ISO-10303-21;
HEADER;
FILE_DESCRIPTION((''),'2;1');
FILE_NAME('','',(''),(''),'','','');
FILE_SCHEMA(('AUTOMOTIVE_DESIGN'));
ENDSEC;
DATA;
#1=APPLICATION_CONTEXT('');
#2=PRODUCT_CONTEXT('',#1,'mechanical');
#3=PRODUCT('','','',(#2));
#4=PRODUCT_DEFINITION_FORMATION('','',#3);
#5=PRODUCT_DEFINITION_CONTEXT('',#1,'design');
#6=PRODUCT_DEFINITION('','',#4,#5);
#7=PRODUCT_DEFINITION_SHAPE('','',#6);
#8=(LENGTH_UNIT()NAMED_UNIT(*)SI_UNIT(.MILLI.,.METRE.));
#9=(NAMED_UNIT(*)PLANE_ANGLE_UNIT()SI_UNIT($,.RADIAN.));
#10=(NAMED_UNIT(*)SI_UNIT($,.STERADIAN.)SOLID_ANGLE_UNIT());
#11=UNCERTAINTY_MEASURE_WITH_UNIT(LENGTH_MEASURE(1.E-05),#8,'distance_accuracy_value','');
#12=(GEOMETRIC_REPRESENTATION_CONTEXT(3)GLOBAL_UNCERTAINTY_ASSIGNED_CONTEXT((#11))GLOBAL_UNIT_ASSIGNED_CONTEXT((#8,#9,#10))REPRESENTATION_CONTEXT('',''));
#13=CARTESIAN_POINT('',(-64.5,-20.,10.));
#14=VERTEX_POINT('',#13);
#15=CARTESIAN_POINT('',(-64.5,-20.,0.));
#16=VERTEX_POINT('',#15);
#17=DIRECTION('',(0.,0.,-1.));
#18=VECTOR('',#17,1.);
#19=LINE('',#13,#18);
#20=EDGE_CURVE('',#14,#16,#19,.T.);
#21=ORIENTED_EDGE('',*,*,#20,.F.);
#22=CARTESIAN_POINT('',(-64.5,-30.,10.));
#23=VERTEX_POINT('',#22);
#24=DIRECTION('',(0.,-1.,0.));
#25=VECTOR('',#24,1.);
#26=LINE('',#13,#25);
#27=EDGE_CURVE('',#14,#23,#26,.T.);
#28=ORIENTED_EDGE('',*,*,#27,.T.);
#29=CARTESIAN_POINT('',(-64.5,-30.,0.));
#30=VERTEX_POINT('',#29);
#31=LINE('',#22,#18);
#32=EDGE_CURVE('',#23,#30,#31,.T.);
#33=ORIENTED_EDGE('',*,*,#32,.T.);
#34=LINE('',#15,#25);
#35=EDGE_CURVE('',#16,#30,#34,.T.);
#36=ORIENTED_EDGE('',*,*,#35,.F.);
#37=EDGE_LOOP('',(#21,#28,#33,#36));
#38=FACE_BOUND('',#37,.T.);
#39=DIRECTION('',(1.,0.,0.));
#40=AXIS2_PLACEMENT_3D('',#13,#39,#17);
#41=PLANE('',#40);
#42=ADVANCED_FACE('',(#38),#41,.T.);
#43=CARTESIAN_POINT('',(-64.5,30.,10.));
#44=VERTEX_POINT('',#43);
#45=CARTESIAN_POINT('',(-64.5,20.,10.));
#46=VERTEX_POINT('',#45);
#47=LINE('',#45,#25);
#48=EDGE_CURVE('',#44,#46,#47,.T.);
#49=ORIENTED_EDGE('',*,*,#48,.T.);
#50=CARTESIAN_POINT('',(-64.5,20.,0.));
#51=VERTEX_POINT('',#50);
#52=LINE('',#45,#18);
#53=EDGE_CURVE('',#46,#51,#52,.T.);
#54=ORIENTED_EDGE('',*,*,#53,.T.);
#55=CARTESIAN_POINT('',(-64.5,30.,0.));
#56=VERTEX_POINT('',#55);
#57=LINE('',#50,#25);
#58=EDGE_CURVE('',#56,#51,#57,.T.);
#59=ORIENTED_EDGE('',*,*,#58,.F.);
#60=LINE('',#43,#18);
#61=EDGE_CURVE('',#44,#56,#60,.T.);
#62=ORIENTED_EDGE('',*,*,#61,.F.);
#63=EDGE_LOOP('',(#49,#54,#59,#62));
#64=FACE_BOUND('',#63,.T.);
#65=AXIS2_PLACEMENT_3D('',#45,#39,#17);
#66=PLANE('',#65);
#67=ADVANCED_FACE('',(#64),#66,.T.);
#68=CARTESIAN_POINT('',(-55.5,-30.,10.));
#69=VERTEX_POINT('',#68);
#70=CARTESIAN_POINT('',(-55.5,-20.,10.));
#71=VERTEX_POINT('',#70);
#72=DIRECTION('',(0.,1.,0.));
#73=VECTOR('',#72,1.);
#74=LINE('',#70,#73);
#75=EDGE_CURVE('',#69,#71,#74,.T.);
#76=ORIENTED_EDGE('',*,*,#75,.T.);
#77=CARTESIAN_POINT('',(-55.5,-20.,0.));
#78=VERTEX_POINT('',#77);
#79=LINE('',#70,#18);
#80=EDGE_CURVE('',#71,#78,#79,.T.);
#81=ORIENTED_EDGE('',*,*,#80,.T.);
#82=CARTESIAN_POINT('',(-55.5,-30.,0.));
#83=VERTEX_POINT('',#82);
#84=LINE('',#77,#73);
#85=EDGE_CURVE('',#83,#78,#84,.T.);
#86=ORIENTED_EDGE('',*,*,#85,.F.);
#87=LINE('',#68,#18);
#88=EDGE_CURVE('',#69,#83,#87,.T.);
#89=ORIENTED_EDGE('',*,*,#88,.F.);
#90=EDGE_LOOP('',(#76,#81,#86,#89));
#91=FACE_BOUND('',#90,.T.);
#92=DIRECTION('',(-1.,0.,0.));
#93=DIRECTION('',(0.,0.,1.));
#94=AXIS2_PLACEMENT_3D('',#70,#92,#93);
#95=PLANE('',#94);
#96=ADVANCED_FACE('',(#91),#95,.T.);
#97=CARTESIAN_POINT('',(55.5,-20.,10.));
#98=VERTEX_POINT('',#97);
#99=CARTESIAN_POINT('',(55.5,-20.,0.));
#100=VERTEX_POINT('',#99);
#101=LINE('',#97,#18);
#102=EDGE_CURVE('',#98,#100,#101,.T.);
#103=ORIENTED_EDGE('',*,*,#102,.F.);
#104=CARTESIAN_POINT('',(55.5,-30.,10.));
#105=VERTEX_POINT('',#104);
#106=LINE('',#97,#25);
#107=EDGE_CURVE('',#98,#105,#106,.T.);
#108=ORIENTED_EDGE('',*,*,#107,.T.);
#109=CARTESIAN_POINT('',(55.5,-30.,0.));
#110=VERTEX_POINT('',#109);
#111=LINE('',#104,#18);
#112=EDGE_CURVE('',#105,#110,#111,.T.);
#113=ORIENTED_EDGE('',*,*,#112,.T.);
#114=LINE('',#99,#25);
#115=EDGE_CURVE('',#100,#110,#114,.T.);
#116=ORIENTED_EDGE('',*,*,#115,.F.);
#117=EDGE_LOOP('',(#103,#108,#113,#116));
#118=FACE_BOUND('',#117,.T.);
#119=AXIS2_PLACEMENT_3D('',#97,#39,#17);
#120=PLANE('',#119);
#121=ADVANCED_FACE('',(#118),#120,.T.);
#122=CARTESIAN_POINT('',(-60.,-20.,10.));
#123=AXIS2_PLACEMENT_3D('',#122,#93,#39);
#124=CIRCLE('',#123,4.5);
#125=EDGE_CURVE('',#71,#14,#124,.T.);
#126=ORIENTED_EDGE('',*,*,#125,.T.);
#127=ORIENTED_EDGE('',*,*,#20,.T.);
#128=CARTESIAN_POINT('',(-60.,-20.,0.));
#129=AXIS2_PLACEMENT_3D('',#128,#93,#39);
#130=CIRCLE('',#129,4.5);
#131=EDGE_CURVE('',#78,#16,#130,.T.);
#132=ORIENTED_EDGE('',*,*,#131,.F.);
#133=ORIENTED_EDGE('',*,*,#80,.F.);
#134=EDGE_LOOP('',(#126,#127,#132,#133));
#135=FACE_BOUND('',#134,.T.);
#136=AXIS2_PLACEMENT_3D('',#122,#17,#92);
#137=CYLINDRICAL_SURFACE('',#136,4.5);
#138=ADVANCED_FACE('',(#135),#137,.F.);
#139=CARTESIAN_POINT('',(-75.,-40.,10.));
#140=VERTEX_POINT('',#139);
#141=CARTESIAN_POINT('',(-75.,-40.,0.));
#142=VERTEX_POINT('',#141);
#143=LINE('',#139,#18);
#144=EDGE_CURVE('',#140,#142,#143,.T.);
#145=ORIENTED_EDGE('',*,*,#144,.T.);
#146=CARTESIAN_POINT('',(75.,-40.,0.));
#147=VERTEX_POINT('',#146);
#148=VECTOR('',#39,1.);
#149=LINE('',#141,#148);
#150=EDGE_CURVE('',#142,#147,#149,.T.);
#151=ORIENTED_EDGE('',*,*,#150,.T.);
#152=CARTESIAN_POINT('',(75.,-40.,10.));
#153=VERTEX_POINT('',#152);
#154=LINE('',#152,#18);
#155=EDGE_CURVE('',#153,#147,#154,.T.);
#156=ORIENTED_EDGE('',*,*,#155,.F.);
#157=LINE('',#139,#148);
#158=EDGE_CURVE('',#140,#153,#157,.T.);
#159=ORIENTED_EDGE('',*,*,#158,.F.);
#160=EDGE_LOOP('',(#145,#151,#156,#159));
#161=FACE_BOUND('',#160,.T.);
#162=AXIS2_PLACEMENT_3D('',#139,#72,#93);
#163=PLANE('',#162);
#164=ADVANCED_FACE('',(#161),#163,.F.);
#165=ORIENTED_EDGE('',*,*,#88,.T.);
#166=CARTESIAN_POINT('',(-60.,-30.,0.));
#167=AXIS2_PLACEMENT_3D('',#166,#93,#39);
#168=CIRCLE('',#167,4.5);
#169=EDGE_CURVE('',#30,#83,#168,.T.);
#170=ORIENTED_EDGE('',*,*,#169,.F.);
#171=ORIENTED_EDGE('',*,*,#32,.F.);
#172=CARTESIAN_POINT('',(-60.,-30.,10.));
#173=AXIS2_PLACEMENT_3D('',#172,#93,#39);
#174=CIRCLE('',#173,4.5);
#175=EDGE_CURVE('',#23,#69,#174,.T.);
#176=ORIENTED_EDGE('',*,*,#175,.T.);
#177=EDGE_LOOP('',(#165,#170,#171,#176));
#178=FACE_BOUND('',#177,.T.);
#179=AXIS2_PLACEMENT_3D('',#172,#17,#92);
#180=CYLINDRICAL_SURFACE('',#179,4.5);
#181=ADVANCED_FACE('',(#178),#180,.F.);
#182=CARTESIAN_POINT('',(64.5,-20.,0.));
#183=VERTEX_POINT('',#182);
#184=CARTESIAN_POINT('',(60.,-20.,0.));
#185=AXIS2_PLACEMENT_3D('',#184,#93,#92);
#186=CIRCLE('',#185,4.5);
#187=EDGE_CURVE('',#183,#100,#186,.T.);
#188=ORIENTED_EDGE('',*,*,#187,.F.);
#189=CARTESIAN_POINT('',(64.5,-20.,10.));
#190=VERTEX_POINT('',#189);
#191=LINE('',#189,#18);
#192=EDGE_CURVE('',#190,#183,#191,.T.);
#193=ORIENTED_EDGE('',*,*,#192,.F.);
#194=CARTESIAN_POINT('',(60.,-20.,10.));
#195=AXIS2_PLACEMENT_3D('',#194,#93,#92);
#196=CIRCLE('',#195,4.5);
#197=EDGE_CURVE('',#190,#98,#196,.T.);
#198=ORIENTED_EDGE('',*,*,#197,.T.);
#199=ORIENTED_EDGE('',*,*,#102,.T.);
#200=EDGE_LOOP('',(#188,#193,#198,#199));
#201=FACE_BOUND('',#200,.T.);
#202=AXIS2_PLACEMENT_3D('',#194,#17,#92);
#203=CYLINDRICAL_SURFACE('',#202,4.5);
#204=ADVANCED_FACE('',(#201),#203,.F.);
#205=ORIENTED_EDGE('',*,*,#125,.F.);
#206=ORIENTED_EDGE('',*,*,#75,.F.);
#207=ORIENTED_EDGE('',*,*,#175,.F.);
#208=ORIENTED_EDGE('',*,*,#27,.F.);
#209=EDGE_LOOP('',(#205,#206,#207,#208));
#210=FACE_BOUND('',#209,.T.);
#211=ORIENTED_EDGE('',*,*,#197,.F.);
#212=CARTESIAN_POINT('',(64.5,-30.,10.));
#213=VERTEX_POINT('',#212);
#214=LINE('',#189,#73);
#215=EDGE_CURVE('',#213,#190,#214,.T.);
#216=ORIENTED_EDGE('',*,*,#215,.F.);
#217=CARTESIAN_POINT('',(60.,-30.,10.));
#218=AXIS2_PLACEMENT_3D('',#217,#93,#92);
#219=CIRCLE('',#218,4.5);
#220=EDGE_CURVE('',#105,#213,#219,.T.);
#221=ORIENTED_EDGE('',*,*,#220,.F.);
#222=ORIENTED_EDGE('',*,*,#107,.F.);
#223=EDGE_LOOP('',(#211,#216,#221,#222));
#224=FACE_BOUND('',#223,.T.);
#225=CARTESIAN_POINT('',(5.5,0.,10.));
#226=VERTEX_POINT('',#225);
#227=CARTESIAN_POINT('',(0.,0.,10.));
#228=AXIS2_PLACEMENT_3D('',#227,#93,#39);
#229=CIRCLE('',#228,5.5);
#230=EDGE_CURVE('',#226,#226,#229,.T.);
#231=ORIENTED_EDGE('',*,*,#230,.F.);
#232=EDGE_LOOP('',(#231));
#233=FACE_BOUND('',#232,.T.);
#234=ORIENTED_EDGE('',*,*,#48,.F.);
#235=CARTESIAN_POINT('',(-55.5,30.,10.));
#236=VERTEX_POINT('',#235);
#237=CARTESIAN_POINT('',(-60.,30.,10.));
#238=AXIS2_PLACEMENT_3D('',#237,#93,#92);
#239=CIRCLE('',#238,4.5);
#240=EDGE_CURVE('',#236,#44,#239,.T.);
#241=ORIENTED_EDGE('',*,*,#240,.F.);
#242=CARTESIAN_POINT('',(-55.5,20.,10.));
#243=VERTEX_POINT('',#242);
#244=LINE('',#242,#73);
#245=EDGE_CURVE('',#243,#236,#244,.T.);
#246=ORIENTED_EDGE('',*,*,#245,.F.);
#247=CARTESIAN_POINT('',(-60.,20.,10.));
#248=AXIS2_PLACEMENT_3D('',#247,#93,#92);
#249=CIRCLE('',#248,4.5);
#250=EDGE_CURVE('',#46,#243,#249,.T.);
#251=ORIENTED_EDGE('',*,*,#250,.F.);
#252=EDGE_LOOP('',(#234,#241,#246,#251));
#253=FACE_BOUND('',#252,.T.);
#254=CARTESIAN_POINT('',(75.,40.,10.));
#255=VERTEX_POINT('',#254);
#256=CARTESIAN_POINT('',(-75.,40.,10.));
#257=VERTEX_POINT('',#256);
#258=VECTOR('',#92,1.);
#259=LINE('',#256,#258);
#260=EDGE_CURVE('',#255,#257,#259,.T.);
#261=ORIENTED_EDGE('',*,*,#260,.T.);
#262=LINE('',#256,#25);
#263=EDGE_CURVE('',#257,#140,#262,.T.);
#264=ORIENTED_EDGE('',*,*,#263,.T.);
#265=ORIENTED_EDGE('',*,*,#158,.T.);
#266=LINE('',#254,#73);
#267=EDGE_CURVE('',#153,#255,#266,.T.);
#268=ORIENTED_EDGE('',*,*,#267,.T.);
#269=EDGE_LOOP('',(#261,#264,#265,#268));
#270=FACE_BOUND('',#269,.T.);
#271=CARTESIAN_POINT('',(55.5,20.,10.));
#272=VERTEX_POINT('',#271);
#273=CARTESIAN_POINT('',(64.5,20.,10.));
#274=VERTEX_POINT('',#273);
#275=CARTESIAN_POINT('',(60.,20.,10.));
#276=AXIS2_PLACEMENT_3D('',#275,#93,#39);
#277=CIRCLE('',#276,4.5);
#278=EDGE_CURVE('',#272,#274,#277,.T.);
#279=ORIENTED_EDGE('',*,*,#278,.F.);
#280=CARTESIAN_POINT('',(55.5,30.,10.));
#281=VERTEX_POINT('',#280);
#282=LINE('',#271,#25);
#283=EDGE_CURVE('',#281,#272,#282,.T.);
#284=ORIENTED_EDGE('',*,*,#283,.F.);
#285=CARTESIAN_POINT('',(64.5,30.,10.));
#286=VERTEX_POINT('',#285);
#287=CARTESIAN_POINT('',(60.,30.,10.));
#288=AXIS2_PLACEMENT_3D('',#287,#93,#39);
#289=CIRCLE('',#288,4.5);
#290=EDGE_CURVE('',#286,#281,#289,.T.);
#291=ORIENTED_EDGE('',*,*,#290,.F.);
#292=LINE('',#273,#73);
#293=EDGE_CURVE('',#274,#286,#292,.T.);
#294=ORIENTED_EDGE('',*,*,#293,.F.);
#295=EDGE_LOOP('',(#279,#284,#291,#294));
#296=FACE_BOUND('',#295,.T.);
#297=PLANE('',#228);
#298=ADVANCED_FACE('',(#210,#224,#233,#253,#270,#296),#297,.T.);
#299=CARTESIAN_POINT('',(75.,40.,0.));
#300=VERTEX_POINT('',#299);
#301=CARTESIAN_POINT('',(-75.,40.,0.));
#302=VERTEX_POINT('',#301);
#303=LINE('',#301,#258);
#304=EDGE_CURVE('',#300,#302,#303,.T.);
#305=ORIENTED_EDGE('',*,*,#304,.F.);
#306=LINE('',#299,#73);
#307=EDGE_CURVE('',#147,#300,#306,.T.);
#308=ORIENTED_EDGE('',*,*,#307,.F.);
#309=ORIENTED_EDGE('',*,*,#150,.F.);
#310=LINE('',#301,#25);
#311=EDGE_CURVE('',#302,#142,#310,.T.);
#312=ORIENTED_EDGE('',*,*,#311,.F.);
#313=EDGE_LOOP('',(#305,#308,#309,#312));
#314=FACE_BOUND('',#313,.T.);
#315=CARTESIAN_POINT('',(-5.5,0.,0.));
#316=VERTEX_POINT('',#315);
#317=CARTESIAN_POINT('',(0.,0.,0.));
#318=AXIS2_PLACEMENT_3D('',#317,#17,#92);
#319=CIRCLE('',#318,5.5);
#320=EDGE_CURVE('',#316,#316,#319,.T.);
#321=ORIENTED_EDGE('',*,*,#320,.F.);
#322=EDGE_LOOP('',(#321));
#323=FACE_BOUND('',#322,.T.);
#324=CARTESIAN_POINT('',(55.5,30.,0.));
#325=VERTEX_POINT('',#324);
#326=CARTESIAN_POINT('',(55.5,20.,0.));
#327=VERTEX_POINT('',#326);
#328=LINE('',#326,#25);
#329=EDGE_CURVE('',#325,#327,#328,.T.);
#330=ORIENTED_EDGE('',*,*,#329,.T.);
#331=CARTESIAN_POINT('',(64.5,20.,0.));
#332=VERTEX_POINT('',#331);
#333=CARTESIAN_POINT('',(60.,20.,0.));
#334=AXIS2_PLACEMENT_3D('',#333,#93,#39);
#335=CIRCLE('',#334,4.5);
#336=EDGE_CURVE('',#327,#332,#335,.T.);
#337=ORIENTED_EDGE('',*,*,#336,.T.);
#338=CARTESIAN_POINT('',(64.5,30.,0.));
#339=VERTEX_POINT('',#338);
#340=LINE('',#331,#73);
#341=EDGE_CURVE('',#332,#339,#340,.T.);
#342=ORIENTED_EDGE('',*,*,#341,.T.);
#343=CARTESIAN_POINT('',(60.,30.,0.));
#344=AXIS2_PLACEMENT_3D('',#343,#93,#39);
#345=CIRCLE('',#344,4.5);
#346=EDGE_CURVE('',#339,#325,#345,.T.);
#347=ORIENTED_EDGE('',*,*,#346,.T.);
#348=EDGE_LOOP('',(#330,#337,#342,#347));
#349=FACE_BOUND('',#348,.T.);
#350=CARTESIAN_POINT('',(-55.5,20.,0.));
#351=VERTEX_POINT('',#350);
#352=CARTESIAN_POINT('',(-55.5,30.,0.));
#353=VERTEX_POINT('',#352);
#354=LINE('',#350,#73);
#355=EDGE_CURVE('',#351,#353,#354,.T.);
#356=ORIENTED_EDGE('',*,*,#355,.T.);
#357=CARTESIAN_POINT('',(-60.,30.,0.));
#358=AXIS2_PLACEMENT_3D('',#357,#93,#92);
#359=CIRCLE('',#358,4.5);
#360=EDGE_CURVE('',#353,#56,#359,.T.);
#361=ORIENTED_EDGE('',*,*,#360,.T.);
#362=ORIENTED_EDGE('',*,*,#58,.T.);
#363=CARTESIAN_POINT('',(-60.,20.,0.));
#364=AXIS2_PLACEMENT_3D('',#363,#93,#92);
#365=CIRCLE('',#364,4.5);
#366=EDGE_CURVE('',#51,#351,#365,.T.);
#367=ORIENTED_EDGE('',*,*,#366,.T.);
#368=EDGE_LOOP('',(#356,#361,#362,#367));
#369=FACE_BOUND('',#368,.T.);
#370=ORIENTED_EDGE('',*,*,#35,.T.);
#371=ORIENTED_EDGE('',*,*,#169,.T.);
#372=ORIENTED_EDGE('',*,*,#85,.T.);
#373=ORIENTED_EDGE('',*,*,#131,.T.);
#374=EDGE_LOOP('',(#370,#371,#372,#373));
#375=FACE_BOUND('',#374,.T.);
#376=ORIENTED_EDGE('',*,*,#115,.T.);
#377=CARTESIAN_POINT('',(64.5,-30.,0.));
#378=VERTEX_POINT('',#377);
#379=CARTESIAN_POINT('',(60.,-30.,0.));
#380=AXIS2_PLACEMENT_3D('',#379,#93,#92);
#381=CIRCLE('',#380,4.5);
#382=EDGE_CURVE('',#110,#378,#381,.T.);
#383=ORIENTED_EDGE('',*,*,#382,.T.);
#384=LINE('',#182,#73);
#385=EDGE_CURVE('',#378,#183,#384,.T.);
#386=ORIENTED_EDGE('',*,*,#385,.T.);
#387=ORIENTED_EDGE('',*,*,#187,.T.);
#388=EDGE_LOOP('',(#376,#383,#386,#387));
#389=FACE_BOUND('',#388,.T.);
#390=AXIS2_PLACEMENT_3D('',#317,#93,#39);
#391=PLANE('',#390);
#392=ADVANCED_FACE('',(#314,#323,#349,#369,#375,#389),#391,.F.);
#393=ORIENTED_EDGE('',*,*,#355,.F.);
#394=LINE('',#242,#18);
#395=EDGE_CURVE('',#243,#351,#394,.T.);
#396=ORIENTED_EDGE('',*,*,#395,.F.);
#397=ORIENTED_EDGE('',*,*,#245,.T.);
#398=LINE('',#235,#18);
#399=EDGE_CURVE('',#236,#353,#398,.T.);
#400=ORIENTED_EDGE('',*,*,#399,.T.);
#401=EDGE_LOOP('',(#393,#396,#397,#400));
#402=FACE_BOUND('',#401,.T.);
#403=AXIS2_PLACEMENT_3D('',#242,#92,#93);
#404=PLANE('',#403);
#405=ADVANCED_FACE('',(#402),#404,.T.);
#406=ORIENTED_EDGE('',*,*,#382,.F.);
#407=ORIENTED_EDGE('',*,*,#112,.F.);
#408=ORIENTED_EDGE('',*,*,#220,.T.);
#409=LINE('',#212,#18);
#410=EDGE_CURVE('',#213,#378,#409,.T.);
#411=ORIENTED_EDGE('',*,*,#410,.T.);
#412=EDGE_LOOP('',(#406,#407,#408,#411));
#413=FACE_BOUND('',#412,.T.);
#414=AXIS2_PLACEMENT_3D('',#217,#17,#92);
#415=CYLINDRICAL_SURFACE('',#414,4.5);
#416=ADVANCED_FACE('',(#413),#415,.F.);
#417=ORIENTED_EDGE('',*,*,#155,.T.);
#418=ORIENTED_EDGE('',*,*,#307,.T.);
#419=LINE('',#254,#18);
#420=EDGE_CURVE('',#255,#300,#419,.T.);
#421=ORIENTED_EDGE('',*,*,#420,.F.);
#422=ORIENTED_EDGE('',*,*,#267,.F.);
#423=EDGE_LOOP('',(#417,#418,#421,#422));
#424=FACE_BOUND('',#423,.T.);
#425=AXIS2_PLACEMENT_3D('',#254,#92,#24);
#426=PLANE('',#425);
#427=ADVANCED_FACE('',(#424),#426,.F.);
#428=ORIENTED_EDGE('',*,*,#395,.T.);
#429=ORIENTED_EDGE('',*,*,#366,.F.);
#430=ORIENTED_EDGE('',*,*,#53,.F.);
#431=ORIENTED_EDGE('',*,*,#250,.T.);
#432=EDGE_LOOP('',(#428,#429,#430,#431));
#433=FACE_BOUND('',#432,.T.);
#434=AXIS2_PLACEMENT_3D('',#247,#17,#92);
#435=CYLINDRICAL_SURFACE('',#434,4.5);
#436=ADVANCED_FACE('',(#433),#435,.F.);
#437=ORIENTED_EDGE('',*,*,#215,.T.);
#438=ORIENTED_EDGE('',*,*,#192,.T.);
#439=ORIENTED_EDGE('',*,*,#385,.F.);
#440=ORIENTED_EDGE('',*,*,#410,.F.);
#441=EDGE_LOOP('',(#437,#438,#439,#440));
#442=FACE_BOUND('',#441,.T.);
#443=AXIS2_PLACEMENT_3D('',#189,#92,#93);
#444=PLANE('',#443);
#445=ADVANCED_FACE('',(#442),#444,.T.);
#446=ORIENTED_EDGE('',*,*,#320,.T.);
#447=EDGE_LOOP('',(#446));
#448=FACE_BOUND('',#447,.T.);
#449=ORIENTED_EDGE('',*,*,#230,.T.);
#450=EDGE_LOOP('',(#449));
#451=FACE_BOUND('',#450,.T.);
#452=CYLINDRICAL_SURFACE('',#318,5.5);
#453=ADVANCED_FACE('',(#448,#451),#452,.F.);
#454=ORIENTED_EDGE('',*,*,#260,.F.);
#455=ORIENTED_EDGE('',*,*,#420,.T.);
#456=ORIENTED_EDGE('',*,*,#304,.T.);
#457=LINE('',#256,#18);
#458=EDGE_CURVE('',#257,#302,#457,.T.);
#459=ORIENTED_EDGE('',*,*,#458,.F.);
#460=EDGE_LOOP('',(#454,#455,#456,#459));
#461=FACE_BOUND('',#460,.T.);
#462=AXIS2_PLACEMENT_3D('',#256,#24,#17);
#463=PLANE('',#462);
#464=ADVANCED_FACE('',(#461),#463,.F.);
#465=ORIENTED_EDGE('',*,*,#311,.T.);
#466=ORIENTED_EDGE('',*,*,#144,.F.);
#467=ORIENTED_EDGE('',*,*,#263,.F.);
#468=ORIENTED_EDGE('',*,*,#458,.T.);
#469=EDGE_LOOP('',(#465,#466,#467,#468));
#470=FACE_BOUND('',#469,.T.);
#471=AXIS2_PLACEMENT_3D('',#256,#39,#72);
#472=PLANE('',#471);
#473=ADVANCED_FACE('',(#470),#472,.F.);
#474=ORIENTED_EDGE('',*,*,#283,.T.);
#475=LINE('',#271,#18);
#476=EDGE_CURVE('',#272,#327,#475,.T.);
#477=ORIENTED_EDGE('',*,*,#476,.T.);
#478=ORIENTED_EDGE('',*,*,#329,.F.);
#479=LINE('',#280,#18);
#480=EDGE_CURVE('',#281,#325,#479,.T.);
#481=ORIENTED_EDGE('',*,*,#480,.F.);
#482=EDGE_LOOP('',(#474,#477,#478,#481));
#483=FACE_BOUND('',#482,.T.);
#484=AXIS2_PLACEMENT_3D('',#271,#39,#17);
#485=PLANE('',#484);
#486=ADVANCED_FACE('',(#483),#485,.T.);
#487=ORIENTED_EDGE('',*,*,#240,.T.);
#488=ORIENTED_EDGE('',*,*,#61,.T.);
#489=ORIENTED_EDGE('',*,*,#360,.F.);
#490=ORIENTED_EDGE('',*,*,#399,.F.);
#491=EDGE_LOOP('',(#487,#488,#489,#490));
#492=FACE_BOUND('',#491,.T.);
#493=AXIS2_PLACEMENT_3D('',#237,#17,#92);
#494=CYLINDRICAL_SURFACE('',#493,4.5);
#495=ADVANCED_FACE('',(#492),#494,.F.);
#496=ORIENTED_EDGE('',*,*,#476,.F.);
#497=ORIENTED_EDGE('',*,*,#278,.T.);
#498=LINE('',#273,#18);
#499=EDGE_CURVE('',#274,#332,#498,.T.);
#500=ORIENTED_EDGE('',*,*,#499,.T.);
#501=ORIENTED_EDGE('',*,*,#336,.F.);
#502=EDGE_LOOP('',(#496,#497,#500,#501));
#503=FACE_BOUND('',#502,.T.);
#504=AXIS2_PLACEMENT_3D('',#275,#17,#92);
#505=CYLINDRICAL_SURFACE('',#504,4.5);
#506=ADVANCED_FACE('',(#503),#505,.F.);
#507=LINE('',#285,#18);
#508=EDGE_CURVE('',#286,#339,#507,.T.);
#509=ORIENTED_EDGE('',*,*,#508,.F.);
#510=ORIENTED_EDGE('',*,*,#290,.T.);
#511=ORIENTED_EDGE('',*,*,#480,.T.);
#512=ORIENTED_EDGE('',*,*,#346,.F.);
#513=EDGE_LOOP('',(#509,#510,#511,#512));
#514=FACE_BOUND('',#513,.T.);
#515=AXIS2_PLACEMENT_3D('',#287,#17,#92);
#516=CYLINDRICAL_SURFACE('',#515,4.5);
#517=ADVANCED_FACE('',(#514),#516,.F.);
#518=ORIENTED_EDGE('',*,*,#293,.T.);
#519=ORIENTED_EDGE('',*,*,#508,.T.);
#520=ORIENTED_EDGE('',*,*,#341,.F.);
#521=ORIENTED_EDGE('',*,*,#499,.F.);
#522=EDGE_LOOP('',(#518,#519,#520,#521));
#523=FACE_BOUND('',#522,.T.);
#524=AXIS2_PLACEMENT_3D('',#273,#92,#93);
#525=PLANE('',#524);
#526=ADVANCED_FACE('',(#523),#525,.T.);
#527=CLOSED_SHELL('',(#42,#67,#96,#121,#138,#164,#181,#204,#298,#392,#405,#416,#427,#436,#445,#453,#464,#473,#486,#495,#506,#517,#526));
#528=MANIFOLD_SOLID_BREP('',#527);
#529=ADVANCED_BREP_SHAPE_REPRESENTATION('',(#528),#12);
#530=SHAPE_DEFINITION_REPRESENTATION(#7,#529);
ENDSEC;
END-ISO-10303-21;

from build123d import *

# Parameters (mm, degrees)
SKETCH_1_W      = 150
SKETCH_1_H      = 80
EXTRUDE_1_DEPTH = 10
MM_1_D          = 11
MM_1_DEPTH      = 24.5
MM_1_TIP        = 3.304733405


with BuildPart() as part:
    # 草图1 → 凸台-拉伸1 (new body)
    with BuildSketch(Plane.XY):
        Rectangle(SKETCH_1_W, SKETCH_1_H)
        with BuildLine():
            Line((-55.5, -20), (-55.5, -30))
            ThreePointArc((-55.5, -30), (-60, -34.5), (-64.5, -30))
            Line((-64.5, -30), (-64.5, -20))
            ThreePointArc((-64.5, -20), (-60, -15.5), (-55.5, -20))
        make_face(mode=Mode.SUBTRACT)
        with BuildLine():
            Line((-55.5, 20), (-55.5, 30))
            ThreePointArc((-55.5, 30), (-60, 34.5), (-64.5, 30))
            Line((-64.5, 30), (-64.5, 20))
            ThreePointArc((-64.5, 20), (-60, 15.5), (-55.5, 20))
        make_face(mode=Mode.SUBTRACT)
        with BuildLine():
            Line((55.5, -20), (55.5, -30))
            ThreePointArc((55.5, -30), (60, -34.5), (64.5, -30))
            Line((64.5, -30), (64.5, -20))
            ThreePointArc((64.5, -20), (60, -15.5), (55.5, -20))
        make_face(mode=Mode.SUBTRACT)
        with BuildLine():
            Line((55.5, 20), (55.5, 30))
            ThreePointArc((55.5, 30), (60, 34.5), (64.5, 30))
            Line((64.5, 30), (64.5, 20))
            ThreePointArc((64.5, 20), (60, 15.5), (55.5, 20))
        make_face(mode=Mode.SUBTRACT)
    extrude(amount=EXTRUDE_1_DEPTH)

    # 大小mm 暗销孔1
    with Locations(Plane(origin=(0, 0, 0), x_dir=(-1, 0, 0), z_dir=(0, 0, -1))):
        with Locations((0, 0)):
            Hole(MM_1_D / 2, depth=MM_1_DEPTH)
            with Locations((0, 0, -(MM_1_DEPTH + MM_1_TIP / 2))):  # 118° drill point
                Cone(0, MM_1_D / 2, MM_1_TIP, mode=Mode.SUBTRACT)


solid = part.part
